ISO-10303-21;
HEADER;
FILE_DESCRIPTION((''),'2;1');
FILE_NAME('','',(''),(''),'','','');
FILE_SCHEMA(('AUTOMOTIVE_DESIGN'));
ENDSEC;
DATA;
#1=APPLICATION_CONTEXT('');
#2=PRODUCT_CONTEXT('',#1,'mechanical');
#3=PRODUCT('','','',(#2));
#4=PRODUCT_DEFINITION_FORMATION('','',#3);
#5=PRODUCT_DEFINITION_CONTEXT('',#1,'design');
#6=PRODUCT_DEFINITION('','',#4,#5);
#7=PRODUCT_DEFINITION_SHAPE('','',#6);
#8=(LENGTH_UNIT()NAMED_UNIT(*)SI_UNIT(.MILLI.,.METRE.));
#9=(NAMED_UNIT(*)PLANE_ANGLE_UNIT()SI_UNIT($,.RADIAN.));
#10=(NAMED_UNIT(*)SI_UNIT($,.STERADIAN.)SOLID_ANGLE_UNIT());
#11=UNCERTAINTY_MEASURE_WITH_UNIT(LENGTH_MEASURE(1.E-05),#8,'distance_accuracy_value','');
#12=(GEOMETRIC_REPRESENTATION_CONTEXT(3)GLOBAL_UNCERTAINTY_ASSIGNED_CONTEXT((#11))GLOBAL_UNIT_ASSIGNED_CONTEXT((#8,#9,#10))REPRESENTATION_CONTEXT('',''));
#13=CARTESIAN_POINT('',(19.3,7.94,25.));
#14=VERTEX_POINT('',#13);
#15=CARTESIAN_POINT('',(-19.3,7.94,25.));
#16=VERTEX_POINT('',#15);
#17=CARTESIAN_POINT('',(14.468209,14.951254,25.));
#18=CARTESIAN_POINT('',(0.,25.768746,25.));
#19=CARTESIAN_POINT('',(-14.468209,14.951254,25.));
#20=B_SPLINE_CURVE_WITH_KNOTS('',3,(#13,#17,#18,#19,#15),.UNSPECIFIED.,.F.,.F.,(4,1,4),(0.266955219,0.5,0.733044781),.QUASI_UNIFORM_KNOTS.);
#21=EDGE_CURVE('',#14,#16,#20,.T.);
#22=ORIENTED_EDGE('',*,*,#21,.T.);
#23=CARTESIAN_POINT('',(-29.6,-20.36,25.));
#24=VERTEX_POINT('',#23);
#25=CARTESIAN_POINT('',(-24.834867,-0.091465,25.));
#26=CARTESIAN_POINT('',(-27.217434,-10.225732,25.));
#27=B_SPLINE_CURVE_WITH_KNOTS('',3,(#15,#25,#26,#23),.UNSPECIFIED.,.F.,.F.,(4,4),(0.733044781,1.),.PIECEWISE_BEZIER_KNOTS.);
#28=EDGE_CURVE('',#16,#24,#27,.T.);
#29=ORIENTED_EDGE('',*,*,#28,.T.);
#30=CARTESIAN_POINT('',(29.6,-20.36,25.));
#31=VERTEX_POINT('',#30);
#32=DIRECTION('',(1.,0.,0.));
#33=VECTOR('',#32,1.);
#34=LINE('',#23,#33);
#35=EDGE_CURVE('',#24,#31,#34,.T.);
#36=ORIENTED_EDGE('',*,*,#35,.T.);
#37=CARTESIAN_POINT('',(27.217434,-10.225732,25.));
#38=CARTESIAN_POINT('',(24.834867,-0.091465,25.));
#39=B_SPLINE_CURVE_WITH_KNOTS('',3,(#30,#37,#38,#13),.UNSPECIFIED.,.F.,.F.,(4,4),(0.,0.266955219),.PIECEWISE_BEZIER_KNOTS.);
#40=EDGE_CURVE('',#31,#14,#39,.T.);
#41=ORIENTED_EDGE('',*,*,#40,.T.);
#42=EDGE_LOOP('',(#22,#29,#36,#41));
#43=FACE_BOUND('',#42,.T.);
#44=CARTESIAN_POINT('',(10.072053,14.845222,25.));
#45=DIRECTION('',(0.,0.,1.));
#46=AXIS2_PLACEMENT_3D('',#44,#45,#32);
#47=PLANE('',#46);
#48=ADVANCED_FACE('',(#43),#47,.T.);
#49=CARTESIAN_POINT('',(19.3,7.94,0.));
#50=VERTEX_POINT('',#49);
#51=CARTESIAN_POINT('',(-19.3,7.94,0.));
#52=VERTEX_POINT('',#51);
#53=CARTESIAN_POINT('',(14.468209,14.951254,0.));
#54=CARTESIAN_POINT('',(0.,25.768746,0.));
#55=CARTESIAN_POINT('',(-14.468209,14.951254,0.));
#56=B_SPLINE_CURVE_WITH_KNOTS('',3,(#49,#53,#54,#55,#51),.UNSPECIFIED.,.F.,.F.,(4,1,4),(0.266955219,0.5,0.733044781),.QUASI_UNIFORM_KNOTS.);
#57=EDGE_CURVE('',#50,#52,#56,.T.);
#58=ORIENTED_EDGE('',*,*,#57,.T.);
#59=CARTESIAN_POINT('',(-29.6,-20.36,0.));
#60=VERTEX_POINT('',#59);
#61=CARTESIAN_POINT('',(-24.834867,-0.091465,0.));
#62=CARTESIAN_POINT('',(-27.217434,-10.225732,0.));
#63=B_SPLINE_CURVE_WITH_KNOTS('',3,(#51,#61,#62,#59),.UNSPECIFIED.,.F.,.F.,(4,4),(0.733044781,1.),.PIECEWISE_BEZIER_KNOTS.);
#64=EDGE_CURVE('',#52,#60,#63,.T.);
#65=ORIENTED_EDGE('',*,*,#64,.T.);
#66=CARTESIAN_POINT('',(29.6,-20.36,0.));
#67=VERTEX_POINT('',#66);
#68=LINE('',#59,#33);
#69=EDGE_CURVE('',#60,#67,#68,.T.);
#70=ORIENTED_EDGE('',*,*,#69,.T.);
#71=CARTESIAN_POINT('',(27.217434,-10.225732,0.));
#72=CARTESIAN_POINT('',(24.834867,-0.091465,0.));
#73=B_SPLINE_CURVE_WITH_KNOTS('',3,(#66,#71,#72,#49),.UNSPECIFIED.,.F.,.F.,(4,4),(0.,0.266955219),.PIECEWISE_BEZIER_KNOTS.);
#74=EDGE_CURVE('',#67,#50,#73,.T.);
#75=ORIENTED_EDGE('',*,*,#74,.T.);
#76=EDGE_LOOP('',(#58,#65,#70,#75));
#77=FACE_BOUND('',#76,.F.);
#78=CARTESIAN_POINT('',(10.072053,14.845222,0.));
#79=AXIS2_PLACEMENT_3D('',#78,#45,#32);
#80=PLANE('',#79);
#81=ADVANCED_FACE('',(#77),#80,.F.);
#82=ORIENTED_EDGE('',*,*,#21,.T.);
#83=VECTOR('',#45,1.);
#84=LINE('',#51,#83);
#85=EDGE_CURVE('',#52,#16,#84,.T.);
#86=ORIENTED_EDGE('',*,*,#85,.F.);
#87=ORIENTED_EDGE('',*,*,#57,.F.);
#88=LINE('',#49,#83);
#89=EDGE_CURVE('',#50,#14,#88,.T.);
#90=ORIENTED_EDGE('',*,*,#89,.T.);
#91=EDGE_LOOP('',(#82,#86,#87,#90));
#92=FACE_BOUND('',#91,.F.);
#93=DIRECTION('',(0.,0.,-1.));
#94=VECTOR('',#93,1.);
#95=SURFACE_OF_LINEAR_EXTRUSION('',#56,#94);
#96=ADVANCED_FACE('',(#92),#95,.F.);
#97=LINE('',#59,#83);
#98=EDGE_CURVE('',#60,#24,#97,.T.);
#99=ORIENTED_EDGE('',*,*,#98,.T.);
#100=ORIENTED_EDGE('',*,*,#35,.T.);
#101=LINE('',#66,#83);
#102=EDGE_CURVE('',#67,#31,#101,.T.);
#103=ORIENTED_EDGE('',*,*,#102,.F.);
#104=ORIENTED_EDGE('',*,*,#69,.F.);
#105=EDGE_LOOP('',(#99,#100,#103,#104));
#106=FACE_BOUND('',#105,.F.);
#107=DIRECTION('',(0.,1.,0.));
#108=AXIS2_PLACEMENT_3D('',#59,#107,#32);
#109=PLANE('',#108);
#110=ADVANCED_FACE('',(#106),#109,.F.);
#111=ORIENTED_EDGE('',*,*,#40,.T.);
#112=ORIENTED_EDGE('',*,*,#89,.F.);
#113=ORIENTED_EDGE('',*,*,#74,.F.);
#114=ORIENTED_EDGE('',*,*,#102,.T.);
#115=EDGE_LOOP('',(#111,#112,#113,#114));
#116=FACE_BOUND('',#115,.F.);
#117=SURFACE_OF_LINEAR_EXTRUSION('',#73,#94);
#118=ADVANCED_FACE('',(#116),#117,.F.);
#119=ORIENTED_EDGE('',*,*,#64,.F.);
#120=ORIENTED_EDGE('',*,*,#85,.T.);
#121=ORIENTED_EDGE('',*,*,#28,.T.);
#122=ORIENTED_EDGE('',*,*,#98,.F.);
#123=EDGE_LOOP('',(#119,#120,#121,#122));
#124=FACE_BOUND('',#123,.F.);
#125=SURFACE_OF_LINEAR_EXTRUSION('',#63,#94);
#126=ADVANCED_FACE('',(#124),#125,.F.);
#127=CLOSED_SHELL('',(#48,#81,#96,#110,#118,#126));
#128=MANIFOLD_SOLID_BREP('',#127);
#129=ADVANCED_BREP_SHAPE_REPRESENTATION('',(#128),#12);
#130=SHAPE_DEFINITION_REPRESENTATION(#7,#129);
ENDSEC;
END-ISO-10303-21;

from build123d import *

# Parameters (mm, degrees)
F1_DEPTH = 25


with BuildPart() as f1:
    # F0 (on Top) → F1 (new body)
    with BuildSketch(Plane.XY):
        with BuildLine():
            Line((0, 20.36), (19.3, 7.94))
            add(Edge.make_bspline(
                [(19.3, 7.94), (14.4682086484, 14.9512544702), (7.2341043242, 20.36), (0, 20.36)],
                knots=[0.2669552188, 0.2669552188, 0.2669552188, 0.2669552188, 0.5, 0.5, 0.5, 0.5], degree=3))
        make_face()
        with BuildLine():
            Line((19.3, 7.94), (29.6, -20.36))
            add(Edge.make_bspline(
                [(29.6, -20.36), (27.2174336035, -10.2257324296), (24.834867207, -0.0914648592), (19.3, 7.94)],
                knots=[0, 0, 0, 0, 0.2669552188, 0.2669552188, 0.2669552188, 0.2669552188], degree=3))
        make_face()
        with BuildLine():
            Line((-19.3, 7.94), (0, 20.36))
            add(Edge.make_bspline(
                [(0, 20.36), (-7.2341043242, 20.36), (-14.4682086484, 14.9512544702), (-19.3, 7.94)],
                knots=[0.5, 0.5, 0.5, 0.5, 0.7330447812, 0.7330447812, 0.7330447812, 0.7330447812], degree=3))
        make_face()
        with BuildLine():
            add(Edge.make_bspline(
                [(-19.3, 7.94), (-24.834867207, -0.0914648592), (-27.2174336035, -10.2257324296), (-29.6, -20.36)],
                knots=[0.7330447812, 0.7330447812, 0.7330447812, 0.7330447812, 1, 1, 1, 1], degree=3))
            Line((-29.6, -20.36), (-19.3, 7.94))
        make_face()
        Polygon((-29.6, -20.36), (0, -20.36), (0, 7.94), (0, 20.36), (-19.3, 7.94), align=None)
        Polygon((0, 7.94), (0, -20.36), (29.6, -20.36), (19.3, 7.94), align=None)
        Polygon((0, 20.36), (0, 7.94), (19.3, 7.94), align=None)
    extrude(amount=F1_DEPTH)


solid = f1.part
